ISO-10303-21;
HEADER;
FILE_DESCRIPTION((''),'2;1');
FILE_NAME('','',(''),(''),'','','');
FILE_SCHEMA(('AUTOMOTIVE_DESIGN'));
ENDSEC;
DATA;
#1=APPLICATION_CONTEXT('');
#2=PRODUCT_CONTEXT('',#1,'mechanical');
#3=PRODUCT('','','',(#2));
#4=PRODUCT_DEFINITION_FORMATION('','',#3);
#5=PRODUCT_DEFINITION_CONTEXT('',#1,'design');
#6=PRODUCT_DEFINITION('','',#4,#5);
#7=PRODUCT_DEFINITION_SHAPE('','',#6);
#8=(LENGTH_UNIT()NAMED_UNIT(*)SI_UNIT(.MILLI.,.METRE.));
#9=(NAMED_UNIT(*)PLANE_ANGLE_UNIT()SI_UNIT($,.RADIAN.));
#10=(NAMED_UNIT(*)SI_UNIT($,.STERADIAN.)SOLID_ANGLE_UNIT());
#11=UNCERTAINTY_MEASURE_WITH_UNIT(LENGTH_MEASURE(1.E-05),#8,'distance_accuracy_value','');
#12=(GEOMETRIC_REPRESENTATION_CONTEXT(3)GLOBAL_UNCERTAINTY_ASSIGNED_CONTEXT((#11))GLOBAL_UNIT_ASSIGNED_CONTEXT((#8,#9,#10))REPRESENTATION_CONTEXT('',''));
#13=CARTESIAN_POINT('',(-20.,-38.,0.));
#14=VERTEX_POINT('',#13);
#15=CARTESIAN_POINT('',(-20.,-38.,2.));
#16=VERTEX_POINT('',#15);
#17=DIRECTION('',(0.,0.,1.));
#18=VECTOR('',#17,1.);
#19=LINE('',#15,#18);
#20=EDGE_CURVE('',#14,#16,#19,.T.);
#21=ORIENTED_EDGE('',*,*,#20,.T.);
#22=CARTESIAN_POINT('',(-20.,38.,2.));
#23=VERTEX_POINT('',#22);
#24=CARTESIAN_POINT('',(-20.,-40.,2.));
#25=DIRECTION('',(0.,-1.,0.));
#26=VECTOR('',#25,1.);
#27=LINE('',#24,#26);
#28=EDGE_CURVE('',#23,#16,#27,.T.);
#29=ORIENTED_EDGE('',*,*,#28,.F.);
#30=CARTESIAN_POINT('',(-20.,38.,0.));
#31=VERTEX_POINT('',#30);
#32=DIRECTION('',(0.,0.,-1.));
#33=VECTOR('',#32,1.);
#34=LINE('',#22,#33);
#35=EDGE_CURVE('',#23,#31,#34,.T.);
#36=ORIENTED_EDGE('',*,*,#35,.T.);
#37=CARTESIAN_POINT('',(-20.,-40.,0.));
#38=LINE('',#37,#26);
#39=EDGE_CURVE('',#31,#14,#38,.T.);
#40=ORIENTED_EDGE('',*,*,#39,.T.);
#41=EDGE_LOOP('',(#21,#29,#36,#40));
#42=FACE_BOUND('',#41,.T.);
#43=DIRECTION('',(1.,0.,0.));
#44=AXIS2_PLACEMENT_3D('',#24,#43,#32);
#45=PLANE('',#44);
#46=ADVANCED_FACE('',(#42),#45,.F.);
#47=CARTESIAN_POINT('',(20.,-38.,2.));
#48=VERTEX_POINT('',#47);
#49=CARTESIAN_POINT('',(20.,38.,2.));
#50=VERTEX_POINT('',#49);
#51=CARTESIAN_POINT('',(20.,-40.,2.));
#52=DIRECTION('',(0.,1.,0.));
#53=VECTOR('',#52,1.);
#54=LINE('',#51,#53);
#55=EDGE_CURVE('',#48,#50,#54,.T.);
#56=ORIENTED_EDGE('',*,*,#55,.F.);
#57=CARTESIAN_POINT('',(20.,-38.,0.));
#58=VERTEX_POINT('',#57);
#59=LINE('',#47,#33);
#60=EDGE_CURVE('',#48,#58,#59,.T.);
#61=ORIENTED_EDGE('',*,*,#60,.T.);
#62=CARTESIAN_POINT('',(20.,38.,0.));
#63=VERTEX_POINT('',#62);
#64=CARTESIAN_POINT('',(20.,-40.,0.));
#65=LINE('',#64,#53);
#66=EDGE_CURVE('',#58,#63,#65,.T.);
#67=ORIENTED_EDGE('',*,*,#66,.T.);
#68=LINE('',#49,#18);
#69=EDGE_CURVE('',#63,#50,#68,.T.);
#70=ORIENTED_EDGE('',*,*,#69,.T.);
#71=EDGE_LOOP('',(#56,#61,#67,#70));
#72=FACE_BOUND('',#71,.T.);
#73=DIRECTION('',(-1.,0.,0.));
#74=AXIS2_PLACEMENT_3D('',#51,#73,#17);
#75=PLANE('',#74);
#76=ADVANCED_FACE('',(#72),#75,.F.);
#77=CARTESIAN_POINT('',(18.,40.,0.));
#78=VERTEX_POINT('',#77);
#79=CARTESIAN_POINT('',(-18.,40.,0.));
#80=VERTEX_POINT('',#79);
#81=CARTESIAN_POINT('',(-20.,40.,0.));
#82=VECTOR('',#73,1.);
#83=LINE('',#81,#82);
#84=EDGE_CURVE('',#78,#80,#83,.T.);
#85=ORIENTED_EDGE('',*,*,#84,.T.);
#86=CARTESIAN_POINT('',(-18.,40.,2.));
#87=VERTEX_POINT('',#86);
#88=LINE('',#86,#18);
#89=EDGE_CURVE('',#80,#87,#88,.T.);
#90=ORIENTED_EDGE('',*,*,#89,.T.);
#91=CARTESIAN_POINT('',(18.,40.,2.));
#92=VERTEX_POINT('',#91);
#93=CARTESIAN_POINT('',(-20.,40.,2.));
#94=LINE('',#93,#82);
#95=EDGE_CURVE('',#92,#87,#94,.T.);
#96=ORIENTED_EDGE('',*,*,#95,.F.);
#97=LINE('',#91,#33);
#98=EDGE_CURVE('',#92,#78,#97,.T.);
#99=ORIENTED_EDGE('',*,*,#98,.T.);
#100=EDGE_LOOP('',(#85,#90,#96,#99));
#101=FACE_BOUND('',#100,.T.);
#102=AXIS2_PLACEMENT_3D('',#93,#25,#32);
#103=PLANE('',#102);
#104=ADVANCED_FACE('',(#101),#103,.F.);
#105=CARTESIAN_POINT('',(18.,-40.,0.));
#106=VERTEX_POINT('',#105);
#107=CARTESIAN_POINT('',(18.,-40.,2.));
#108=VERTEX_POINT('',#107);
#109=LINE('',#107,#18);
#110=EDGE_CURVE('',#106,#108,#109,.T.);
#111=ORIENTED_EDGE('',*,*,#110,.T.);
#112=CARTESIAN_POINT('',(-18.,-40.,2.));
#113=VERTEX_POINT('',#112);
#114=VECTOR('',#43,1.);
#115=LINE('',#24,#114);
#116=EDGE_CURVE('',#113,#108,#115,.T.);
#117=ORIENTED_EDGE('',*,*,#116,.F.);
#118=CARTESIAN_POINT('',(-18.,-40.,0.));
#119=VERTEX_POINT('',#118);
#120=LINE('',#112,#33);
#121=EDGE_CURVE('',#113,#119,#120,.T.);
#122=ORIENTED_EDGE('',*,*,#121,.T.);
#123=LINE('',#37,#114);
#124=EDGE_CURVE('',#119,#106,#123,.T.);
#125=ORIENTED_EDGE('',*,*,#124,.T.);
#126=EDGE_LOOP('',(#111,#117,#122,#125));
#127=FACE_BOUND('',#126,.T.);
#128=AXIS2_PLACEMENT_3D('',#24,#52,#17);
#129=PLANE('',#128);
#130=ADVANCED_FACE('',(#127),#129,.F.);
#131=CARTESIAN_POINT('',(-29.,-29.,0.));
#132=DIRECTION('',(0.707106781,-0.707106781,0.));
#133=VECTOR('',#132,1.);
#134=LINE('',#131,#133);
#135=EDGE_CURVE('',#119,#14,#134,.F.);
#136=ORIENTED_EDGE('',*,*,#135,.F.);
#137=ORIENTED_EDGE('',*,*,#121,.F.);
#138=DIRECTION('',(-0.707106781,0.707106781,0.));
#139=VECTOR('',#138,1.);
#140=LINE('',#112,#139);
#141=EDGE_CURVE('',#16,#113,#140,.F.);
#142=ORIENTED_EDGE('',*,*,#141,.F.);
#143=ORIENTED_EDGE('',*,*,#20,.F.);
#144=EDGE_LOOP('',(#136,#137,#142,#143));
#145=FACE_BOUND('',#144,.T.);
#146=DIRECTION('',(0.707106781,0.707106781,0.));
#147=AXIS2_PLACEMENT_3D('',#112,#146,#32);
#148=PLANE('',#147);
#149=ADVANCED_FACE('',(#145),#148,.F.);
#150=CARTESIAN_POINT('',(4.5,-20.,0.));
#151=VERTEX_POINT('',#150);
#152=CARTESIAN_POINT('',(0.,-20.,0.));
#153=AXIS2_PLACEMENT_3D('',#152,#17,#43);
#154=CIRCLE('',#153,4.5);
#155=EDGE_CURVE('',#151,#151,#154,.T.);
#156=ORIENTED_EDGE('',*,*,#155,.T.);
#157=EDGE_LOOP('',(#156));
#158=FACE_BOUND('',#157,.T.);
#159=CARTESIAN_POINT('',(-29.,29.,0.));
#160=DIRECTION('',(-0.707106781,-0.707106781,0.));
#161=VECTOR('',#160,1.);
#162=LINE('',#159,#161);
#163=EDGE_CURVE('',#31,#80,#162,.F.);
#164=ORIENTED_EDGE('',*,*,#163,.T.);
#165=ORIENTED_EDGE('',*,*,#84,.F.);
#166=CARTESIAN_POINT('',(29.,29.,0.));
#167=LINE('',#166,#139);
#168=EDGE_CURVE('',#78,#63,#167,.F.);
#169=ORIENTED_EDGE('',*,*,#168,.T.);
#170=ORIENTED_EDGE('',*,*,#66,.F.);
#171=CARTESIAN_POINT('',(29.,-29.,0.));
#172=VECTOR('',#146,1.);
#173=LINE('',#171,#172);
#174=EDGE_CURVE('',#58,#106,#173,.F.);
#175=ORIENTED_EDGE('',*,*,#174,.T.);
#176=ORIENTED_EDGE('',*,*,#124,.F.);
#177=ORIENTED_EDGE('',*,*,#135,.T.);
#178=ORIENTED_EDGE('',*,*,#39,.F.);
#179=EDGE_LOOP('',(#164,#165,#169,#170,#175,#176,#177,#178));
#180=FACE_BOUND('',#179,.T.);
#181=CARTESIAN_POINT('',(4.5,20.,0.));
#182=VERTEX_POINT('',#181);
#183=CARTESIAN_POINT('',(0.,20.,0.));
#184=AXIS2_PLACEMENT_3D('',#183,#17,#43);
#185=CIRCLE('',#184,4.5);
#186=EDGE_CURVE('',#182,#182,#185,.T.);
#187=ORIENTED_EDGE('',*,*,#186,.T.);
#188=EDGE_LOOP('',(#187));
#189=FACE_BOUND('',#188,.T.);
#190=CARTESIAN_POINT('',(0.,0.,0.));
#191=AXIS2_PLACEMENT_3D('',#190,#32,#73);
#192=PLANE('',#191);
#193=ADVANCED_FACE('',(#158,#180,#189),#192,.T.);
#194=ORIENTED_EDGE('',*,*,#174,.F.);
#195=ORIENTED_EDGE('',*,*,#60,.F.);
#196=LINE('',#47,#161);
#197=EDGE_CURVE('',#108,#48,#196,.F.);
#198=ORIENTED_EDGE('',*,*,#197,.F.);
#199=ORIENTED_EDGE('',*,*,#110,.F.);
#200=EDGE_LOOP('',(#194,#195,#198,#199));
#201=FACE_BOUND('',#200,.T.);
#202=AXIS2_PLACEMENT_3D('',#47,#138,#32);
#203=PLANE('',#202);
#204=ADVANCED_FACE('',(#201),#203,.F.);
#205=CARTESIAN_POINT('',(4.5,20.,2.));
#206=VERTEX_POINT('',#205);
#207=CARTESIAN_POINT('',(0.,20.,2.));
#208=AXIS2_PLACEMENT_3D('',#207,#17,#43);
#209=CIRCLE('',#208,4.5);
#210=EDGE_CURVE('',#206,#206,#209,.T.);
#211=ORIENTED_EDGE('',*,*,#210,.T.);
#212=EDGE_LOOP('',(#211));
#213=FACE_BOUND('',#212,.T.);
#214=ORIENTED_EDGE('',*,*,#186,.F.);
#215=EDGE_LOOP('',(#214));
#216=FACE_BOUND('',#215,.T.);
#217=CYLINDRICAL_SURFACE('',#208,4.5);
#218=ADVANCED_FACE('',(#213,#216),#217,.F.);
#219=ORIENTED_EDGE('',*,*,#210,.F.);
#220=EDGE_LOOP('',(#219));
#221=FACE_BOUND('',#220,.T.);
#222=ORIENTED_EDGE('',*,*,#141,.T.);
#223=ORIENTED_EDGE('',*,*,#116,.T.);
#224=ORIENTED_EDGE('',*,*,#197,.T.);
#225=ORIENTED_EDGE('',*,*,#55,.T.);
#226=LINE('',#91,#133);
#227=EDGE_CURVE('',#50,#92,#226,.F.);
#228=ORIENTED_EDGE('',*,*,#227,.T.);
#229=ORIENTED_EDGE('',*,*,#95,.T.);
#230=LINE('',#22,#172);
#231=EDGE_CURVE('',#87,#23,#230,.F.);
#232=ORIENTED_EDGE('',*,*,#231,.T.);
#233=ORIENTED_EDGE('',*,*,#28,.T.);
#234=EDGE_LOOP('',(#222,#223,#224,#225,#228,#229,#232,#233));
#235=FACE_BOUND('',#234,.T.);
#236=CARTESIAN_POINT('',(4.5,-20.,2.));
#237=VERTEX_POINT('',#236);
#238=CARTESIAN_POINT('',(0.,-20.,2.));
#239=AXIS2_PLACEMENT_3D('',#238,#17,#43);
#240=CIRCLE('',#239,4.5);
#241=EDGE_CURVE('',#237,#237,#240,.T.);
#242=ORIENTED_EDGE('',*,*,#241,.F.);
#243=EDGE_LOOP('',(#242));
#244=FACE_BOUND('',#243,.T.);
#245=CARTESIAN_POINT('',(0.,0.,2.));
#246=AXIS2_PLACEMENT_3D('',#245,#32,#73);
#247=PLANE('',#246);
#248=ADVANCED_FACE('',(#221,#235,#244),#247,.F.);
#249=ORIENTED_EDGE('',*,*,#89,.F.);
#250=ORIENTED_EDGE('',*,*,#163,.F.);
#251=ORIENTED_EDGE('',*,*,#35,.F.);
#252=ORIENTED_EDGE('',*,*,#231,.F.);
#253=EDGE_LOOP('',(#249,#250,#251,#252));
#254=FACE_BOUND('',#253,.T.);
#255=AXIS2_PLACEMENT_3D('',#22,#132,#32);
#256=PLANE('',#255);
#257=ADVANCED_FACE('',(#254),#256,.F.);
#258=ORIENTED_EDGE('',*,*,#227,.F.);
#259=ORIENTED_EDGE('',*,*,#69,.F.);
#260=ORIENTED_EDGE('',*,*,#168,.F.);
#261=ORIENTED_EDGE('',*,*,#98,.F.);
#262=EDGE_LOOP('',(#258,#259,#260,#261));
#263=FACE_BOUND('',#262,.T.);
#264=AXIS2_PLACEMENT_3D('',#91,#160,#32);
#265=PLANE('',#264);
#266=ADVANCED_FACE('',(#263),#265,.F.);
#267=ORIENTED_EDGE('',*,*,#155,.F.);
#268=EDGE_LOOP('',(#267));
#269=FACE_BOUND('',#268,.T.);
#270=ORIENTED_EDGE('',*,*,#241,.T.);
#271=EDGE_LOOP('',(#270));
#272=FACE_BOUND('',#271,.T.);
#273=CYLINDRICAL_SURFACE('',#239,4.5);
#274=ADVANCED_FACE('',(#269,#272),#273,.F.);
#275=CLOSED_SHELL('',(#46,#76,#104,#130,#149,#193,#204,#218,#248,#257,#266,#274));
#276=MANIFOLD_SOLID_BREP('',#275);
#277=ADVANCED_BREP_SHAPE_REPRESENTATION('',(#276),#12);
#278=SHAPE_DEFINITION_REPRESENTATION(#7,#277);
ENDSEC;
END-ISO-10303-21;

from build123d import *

# Parameters (mm, degrees)
SKETCH_1_W        = 40
SKETCH_1_H        = 80
EXTRUDE_1_DEPTH   = 2
CHAMFER_1_SIZE    = 2
HOLE_WIZARD_M81_D = 9


with BuildPart() as part:
    # Эскиз1 → Бобышка-Вытянуть1 (new body)
    with BuildSketch(Plane.XY):
        Rectangle(SKETCH_1_W, SKETCH_1_H)
    extrude(amount=EXTRUDE_1_DEPTH)

    # Фаска1
    chamfer_1_edges = [part.edges().sort_by_distance(p)[0] for p in [
        (20, -40, 1),
        (-20, -40, 1),
        (-20, 40, 1),
        (20, 40, 1),
    ]]
    chamfer(chamfer_1_edges, length=CHAMFER_1_SIZE)

    # Отверстие с зазором M81 (through all)
    with Locations(Plane.XY.offset(2)):
        with Locations((0, -20), (0, 20)):
            Hole(HOLE_WIZARD_M81_D / 2)


solid = part.part
